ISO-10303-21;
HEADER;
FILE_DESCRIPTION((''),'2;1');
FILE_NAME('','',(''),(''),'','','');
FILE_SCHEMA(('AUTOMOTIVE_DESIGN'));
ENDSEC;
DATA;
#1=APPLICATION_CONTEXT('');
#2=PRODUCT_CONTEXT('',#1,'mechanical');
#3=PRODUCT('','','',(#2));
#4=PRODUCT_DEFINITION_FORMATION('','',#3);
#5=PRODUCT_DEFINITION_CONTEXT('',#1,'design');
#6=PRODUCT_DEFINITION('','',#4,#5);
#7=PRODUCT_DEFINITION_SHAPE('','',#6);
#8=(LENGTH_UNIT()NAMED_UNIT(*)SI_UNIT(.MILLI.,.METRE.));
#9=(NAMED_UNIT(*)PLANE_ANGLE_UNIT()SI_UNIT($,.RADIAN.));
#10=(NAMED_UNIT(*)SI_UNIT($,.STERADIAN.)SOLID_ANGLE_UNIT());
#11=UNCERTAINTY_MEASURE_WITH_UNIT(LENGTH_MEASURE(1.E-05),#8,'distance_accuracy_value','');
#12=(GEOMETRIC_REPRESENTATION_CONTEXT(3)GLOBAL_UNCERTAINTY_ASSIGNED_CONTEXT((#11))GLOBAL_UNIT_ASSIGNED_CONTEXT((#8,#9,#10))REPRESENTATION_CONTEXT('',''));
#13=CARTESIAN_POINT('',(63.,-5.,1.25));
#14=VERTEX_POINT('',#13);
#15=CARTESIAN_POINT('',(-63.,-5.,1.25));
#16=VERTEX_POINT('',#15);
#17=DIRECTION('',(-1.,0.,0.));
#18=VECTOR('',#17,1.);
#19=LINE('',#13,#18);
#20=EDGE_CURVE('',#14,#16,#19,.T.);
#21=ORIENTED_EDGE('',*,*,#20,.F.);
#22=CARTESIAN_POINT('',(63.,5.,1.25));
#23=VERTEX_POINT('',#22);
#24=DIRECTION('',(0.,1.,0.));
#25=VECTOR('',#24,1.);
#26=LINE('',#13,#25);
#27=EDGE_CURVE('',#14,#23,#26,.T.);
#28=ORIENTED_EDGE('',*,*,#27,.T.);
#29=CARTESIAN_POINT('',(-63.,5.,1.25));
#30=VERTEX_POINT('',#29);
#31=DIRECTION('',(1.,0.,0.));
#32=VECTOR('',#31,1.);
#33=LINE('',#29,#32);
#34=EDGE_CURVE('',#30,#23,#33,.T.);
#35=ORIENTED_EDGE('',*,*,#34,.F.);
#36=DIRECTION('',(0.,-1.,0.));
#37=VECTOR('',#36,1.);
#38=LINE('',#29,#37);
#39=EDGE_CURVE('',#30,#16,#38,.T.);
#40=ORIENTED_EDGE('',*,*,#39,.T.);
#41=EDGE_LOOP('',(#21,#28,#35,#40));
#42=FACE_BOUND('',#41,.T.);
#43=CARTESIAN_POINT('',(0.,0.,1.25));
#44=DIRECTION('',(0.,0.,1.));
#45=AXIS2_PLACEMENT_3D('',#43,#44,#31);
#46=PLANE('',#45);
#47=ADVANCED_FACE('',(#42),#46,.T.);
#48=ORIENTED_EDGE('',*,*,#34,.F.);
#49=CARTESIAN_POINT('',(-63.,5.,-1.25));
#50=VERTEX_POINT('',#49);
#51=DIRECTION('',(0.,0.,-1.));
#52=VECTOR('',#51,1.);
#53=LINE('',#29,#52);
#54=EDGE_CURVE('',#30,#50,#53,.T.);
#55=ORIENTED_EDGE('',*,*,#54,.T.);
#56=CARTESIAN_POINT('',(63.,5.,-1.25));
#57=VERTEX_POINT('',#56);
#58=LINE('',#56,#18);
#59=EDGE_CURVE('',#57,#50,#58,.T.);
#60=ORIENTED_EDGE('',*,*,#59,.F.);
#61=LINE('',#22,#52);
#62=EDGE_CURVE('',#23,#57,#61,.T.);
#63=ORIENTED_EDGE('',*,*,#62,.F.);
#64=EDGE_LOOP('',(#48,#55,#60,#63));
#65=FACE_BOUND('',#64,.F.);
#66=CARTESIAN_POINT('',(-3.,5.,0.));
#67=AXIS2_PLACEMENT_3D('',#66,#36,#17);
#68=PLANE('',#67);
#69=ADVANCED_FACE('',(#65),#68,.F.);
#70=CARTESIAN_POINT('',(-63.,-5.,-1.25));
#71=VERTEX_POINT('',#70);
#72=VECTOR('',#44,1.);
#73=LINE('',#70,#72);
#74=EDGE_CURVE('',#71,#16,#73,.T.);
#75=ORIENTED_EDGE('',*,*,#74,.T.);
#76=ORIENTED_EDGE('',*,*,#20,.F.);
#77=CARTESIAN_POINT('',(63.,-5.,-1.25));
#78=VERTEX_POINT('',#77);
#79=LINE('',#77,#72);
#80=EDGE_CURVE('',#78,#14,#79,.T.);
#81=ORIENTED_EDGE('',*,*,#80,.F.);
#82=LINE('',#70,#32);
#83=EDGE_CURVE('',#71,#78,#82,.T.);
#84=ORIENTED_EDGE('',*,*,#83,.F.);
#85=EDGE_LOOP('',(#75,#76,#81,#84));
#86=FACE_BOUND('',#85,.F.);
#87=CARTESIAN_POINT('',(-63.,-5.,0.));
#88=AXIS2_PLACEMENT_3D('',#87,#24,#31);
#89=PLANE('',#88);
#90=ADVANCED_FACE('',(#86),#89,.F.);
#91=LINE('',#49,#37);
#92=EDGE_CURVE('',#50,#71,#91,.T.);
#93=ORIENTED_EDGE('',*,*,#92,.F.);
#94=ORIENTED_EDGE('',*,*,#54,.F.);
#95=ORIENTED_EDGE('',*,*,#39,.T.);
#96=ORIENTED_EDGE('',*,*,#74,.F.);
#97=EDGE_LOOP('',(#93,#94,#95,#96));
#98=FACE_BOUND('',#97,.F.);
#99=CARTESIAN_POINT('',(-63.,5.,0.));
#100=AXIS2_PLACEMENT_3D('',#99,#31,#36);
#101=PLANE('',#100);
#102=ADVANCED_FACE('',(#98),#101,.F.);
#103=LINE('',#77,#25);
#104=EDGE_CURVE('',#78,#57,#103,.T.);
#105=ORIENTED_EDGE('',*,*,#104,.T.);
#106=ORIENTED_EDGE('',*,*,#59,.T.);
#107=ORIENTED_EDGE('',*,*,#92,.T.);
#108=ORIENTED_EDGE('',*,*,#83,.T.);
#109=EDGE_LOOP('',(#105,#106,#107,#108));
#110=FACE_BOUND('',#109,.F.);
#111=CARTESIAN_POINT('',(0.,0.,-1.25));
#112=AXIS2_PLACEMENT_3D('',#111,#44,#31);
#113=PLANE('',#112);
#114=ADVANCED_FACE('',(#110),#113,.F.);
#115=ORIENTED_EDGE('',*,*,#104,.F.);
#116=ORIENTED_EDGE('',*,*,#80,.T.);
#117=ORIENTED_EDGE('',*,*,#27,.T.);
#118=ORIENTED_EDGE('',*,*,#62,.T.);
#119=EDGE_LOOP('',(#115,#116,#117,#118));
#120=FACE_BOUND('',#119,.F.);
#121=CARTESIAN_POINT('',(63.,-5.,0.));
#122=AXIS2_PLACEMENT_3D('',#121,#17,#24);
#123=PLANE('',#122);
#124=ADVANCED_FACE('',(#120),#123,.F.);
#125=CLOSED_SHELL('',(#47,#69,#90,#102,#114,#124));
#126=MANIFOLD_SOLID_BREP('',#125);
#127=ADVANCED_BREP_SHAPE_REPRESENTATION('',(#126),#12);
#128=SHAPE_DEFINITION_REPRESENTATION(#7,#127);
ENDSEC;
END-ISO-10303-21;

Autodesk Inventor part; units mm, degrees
ref_plane "YZ Plane" through (0, 0, 0) normal (1, 0, 0) x (0, 1, 0)
ref_plane "XZ Plane" through (0, 0, 0) normal (0, 1, 0) x (-1, 0, 0)
ref_plane "XY Plane" through (0, 0, 0) normal (0, 0, 1) x (1, 0, 0)
sketch "草圖1" plane through (0, 0, 0) normal (0, 0, 1) x (1, 0, 0)
  line L0 (0, 0) -> (0, 0) construction
  line L1 (0, 0) -> (0, 45.4619) construction
  line L2 (-63, -5) -> (63, -5)
  line L3 (63, -5) -> (63, 5)
  line L4 (63, 5) -> (-63, 5)
  line L5 (-63, 5) -> (-63, -5)
  line L6 (-63, -5) -> (63, 5) construction
  line L7 (63, -5) -> (-63, 5) construction
  line L8 (7, 5) -> (-3, 5)
  line L9 (-5, -5) -> (5, -5)
  point P0 (0, -5)
  point P1 (0, 0)
  dimension "d0" = 10
  dimension "d1" = 126
extrude "擠出1" add sketch "草圖1" along normal mid plane 2.5
properties part number "0 零件" material "橡膠"
